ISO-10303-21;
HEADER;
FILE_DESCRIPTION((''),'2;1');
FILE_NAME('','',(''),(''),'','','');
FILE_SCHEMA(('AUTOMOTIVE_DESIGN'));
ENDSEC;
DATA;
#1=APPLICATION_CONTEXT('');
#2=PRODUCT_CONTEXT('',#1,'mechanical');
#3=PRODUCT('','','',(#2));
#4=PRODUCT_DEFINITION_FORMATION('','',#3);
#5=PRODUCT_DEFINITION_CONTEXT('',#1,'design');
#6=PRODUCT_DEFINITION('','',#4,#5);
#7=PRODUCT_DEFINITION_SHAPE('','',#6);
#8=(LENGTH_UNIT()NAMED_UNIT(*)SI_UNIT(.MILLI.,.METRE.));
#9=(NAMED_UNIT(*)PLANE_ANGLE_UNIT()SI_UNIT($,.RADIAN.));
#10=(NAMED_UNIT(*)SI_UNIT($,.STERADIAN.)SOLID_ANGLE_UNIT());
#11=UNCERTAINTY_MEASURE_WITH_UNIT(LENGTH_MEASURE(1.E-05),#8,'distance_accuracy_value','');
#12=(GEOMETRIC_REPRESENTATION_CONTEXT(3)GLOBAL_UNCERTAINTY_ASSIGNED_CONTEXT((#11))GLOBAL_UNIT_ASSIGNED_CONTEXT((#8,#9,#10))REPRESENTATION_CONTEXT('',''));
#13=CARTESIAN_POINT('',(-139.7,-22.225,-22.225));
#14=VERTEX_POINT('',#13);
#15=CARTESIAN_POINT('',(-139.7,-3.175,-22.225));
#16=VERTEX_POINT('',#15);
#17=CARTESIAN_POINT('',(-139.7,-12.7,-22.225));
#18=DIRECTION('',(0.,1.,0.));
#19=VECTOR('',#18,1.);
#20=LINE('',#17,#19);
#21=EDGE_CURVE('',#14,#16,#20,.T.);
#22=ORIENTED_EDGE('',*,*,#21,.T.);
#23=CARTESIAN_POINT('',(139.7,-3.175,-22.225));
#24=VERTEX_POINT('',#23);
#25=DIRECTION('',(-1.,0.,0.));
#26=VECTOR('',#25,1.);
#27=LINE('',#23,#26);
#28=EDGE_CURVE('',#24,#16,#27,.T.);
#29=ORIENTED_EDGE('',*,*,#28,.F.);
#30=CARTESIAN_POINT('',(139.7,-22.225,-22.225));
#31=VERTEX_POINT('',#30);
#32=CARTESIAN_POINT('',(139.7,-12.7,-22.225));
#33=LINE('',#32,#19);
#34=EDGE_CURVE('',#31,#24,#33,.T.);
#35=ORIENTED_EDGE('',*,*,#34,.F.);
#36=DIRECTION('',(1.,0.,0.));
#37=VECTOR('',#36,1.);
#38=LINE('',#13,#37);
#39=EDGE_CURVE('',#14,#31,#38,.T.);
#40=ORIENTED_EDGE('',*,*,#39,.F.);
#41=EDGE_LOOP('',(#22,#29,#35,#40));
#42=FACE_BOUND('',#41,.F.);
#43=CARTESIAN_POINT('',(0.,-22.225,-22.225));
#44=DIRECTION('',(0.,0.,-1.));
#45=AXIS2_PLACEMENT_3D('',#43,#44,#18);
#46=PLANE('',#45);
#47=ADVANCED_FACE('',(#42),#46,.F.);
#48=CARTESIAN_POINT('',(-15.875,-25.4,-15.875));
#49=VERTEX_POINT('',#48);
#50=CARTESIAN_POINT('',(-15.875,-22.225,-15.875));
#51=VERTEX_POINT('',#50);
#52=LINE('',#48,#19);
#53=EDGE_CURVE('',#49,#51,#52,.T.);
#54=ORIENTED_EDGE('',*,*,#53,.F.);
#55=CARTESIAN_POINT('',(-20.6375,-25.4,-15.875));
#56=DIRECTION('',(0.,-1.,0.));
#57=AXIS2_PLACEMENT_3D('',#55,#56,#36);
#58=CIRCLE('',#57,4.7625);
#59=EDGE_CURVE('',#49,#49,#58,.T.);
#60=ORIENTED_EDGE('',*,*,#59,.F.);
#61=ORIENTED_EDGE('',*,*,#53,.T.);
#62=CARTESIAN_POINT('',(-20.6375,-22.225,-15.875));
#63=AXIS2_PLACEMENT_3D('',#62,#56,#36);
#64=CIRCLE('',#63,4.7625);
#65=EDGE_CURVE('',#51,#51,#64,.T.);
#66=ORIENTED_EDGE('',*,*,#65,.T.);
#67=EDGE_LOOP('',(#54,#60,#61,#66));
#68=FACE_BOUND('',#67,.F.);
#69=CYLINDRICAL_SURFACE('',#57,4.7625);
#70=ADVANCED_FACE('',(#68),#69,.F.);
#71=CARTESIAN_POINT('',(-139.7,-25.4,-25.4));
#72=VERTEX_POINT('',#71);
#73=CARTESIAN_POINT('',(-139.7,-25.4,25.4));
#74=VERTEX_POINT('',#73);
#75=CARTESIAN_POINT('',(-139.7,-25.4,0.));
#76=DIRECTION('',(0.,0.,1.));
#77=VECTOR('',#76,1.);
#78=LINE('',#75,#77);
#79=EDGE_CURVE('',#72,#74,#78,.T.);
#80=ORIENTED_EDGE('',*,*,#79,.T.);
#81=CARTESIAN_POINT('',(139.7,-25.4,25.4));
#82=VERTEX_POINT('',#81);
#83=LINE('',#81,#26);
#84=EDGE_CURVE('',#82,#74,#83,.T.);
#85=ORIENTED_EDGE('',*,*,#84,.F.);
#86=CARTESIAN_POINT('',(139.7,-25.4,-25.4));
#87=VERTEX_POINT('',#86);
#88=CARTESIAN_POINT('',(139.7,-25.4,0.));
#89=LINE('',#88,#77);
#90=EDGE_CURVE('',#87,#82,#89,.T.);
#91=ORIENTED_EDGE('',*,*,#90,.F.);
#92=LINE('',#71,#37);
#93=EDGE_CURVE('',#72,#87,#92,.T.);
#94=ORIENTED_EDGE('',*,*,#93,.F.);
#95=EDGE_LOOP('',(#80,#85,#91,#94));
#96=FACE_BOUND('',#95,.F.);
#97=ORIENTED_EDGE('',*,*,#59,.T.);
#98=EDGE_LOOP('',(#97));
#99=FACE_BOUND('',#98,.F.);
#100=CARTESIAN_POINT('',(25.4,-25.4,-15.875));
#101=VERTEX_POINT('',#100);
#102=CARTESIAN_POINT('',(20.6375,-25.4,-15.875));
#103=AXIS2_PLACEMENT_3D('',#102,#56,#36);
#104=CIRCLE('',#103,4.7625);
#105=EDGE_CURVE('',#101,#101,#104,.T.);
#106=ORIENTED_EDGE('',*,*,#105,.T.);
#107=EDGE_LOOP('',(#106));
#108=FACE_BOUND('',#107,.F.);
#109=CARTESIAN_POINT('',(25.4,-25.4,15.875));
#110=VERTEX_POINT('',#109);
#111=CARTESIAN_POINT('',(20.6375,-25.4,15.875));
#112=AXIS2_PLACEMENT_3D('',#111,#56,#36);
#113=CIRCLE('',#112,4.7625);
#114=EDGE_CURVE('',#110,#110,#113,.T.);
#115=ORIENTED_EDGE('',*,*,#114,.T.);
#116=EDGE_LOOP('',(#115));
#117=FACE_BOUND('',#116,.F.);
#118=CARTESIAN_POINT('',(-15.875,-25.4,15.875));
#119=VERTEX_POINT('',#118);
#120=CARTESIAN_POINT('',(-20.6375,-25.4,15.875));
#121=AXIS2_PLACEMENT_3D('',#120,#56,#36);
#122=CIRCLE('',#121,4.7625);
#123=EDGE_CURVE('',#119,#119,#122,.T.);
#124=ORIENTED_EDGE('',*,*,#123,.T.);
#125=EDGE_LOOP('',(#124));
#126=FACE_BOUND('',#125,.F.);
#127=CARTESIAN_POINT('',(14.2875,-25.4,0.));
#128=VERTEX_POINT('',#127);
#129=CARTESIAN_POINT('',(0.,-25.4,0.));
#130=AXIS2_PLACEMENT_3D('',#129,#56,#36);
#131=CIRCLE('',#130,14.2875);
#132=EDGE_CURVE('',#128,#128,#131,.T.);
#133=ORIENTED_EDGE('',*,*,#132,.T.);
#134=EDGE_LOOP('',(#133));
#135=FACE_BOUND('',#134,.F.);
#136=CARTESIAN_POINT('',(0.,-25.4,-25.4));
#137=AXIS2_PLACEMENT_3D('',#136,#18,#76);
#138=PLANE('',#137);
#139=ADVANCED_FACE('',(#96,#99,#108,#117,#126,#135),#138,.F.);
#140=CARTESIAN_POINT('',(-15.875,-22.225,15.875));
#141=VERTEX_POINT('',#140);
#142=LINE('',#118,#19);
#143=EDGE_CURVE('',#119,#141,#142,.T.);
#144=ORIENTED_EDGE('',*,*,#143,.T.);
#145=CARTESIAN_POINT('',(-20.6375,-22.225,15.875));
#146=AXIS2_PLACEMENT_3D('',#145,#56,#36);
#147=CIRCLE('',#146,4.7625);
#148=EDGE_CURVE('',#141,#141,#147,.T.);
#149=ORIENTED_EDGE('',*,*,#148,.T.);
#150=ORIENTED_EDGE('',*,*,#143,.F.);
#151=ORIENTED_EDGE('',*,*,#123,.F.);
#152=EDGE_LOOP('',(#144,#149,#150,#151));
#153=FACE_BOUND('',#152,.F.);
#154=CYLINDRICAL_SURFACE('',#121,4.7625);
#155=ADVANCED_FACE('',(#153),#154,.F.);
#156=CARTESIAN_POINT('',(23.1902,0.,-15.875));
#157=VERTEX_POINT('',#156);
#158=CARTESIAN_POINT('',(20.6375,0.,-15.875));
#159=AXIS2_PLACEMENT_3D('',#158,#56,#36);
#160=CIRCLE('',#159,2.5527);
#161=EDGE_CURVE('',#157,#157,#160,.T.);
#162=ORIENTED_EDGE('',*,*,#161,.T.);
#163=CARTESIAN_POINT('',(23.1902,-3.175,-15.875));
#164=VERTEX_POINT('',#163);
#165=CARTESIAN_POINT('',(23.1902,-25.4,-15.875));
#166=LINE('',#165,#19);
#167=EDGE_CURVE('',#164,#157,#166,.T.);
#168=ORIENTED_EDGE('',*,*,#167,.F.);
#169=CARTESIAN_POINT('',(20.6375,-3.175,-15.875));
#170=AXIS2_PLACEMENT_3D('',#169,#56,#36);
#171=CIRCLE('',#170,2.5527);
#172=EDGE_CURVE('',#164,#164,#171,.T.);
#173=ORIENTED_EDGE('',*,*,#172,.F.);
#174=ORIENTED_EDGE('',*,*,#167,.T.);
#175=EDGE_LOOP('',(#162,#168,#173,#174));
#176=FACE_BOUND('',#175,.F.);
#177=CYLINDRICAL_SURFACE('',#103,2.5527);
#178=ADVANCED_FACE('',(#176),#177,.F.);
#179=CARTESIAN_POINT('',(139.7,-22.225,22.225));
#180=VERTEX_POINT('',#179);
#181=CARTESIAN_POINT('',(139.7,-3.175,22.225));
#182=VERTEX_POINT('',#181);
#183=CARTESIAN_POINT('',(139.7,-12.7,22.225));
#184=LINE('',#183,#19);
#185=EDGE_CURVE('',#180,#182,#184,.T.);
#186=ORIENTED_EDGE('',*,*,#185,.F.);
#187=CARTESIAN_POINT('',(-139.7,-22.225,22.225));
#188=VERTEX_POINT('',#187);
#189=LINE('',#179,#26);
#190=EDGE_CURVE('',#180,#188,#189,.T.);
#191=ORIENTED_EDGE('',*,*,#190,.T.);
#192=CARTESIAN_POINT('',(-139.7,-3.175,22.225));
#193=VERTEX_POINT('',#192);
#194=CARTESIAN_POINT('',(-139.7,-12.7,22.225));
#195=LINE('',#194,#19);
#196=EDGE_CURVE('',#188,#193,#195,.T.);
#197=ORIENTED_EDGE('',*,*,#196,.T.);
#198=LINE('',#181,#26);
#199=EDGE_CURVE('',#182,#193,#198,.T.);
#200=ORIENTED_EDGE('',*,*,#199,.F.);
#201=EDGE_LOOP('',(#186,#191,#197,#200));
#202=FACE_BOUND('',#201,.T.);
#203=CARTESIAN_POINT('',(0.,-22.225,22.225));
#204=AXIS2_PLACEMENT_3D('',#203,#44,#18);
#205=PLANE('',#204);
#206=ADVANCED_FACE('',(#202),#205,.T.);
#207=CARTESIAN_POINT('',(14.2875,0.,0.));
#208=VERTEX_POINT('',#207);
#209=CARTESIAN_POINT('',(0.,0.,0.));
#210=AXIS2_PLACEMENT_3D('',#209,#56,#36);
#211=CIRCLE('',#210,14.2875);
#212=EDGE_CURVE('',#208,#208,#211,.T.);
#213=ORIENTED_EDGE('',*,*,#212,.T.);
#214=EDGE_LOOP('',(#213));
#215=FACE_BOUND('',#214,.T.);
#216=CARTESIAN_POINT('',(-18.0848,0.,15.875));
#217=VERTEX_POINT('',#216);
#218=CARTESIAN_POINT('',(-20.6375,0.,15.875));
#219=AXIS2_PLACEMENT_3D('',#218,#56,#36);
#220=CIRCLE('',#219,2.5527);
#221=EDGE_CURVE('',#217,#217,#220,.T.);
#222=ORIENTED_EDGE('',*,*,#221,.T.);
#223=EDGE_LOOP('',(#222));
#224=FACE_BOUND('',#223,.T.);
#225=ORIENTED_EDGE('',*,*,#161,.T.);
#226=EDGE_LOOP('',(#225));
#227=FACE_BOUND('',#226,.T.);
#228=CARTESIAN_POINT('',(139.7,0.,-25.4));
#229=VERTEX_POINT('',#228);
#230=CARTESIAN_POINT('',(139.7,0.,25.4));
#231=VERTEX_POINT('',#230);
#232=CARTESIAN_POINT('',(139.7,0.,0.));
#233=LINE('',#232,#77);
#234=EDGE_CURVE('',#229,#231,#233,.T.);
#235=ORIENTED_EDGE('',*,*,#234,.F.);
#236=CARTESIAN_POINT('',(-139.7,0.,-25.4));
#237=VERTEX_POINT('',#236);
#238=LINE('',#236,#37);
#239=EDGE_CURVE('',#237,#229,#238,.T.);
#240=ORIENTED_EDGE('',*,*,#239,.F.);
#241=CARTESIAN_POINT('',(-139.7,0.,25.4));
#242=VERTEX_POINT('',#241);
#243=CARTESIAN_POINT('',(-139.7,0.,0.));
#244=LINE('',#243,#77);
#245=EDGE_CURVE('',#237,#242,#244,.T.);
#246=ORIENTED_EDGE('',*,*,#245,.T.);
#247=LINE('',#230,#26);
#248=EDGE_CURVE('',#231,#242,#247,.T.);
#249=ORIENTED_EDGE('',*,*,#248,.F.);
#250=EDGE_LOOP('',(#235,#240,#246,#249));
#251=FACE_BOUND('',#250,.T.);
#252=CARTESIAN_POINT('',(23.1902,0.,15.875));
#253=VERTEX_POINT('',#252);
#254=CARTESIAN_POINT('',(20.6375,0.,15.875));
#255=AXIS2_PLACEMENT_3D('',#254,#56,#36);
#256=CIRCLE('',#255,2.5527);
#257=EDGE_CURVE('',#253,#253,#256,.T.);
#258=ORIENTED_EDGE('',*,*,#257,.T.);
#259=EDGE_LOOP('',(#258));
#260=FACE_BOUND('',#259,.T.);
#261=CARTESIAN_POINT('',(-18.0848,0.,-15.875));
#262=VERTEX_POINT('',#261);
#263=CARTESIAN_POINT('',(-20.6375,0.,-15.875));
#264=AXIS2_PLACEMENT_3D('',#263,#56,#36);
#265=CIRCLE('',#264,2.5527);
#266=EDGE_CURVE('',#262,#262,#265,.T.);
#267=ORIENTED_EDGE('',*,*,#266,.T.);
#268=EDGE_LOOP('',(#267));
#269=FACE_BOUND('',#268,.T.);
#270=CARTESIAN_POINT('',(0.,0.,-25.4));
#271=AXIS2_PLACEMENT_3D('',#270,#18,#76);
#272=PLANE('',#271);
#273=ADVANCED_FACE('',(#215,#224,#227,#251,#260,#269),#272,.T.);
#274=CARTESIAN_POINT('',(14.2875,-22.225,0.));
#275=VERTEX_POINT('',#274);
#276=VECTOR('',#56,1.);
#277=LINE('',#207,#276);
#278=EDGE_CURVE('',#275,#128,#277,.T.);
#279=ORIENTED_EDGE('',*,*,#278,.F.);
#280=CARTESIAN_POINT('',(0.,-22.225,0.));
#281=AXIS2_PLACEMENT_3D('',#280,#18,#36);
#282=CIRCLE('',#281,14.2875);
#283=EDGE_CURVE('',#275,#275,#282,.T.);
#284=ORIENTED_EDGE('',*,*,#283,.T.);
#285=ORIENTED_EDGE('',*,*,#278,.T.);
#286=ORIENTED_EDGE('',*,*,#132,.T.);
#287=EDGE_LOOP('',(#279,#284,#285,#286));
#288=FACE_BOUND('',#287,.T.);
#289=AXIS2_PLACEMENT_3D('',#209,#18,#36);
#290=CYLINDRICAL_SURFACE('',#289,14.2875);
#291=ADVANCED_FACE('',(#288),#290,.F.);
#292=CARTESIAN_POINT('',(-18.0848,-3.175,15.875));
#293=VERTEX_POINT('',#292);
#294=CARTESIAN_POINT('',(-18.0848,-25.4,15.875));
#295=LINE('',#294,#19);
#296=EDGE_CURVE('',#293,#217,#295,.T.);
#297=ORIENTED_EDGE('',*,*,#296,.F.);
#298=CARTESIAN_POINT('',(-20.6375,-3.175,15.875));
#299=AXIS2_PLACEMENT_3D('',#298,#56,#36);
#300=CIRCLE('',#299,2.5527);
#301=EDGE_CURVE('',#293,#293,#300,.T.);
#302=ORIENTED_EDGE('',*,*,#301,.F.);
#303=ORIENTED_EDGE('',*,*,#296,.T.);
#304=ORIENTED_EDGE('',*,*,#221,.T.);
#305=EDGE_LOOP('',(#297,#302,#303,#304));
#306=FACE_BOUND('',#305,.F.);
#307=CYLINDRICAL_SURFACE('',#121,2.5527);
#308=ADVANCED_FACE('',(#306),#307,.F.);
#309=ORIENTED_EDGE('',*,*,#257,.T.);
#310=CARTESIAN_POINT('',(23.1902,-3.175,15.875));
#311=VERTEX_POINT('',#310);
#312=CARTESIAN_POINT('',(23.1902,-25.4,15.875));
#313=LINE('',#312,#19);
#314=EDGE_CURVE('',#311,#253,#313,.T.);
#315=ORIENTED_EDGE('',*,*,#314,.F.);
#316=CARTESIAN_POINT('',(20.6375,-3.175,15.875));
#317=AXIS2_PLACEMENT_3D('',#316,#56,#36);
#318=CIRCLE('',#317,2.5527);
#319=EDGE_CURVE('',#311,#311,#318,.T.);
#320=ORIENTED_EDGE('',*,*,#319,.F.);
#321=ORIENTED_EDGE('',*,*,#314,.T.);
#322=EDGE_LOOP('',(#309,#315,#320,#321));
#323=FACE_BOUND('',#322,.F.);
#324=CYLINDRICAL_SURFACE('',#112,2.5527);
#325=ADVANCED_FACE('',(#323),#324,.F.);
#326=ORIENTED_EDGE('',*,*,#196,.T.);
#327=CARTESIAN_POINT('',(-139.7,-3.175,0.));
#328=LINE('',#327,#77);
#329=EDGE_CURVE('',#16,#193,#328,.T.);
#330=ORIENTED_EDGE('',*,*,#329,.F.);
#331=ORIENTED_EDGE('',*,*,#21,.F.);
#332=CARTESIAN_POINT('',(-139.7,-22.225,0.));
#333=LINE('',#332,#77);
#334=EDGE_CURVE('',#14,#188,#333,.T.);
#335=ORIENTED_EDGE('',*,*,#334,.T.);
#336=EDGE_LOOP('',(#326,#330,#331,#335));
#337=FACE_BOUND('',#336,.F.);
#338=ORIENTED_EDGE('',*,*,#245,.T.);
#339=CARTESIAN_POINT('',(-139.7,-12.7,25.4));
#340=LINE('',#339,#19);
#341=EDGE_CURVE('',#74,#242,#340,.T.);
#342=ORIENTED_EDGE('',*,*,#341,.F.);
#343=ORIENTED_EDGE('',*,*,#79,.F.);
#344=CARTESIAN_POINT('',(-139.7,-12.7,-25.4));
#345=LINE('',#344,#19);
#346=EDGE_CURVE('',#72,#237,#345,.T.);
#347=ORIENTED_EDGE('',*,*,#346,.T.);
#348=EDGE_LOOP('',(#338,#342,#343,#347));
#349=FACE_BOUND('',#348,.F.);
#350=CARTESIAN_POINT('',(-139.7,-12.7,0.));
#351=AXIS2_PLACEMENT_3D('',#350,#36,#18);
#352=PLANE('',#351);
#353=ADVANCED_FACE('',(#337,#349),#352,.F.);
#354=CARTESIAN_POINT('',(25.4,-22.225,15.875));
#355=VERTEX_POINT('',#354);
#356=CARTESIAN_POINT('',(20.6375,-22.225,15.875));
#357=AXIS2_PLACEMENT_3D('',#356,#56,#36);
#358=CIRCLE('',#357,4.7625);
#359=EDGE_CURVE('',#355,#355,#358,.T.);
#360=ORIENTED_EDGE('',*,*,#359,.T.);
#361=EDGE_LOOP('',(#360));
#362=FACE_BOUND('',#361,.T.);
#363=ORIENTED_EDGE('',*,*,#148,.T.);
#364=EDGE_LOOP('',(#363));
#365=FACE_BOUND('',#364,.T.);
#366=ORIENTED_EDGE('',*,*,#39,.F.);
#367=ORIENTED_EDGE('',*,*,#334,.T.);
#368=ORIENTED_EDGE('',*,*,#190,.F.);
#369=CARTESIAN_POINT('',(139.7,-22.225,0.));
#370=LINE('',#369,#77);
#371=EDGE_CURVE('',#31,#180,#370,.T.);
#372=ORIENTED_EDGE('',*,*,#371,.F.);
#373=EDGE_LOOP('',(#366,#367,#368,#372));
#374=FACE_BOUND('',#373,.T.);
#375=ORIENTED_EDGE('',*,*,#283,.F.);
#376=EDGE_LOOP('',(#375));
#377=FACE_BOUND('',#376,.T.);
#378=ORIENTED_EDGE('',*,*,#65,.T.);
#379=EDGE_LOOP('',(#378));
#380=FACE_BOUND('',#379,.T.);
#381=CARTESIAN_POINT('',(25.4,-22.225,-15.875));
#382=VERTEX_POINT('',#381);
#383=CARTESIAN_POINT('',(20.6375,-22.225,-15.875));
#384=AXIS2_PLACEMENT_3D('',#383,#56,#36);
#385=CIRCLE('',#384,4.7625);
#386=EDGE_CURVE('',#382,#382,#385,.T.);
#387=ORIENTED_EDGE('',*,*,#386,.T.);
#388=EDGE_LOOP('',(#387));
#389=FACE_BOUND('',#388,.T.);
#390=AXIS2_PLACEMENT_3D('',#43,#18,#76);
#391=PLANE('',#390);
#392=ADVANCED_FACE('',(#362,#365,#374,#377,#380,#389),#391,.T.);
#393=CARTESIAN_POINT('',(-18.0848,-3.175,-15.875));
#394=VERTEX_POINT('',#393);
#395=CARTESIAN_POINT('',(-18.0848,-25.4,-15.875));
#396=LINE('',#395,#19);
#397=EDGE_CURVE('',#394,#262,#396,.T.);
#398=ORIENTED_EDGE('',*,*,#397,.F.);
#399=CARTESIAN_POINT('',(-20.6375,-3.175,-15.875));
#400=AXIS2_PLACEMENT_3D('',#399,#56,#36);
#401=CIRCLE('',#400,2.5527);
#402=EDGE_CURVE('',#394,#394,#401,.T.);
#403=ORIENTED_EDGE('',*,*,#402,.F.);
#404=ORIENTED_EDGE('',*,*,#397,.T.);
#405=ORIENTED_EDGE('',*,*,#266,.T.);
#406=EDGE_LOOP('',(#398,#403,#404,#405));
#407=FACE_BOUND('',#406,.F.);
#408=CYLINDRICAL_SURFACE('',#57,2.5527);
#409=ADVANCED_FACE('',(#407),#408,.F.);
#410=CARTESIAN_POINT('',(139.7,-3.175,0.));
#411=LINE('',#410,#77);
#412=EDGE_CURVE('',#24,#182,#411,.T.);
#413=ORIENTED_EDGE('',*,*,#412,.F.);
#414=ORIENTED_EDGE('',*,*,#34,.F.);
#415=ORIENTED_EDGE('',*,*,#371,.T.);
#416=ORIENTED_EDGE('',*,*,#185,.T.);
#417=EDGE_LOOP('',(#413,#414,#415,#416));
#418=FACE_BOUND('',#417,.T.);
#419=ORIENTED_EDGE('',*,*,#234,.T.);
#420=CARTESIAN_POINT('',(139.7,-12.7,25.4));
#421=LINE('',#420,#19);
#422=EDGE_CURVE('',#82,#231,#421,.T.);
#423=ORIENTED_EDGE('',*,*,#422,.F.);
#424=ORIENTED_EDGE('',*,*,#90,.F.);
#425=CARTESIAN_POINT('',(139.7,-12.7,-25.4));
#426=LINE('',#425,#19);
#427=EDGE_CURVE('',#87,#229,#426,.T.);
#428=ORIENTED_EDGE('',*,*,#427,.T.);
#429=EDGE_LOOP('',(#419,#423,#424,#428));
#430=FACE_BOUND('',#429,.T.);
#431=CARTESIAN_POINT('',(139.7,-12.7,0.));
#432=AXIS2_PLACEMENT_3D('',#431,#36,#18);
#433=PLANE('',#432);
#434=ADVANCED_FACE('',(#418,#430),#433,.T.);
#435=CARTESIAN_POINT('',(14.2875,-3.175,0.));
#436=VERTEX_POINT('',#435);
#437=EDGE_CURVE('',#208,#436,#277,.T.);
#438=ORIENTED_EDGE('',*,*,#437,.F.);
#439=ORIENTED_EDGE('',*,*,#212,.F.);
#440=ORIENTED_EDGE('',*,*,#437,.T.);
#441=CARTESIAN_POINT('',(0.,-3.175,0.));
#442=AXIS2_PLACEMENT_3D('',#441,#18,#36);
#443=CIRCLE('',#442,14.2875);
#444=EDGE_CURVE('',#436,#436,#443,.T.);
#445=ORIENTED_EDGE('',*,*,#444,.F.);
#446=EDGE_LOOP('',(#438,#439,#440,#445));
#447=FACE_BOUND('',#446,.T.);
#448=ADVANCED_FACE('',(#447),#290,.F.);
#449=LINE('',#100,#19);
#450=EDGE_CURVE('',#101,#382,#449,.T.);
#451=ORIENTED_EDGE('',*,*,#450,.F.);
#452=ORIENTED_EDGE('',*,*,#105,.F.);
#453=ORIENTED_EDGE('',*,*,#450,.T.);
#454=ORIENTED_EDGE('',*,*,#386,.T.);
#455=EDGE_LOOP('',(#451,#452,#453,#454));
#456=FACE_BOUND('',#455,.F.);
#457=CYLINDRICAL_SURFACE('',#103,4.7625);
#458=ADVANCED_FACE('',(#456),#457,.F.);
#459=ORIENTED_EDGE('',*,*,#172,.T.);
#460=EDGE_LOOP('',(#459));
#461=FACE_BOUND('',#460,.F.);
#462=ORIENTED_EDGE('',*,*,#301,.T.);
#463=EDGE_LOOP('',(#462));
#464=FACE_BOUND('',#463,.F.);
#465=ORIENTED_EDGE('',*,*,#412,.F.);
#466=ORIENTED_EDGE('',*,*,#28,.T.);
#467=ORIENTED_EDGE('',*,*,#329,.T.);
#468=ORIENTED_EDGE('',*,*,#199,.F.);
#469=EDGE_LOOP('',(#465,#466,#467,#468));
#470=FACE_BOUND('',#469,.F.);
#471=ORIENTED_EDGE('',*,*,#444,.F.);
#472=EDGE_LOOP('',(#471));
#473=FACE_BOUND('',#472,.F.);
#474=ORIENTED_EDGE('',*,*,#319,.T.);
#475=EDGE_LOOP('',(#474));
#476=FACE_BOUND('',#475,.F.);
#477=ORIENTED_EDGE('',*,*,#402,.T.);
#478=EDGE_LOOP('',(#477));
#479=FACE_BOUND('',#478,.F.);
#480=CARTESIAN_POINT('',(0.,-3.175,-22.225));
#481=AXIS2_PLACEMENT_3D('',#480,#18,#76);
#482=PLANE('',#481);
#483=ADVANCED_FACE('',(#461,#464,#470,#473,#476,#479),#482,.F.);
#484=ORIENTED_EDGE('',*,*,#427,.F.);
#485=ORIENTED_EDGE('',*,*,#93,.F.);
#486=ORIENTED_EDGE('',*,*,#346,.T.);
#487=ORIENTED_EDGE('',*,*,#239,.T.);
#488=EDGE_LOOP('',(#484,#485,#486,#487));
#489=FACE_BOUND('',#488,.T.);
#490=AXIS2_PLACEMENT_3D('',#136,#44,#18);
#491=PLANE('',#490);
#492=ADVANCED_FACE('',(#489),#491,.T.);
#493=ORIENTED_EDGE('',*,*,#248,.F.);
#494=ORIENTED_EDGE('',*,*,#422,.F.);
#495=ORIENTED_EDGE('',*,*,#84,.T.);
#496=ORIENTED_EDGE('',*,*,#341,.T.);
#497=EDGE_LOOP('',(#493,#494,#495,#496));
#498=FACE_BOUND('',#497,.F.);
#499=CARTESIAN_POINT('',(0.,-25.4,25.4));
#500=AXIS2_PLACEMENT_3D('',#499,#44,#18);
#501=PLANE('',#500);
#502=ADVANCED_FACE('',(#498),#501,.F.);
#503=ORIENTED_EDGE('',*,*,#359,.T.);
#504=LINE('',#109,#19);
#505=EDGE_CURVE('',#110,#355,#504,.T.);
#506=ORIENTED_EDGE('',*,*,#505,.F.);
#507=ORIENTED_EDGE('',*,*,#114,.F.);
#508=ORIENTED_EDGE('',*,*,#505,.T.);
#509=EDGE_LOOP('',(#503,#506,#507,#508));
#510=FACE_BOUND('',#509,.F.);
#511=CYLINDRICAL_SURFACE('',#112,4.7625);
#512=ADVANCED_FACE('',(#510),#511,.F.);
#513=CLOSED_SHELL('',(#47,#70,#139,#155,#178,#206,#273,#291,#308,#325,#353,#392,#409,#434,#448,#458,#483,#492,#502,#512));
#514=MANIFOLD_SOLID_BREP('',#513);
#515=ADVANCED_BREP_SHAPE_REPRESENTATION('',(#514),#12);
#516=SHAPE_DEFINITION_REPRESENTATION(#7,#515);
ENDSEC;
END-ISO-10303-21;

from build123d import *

# Parameters (mm, degrees)
F0_W          = 25.4
F0_H          = 50.8
F0_W_2        = 19.05
F0_H_2        = 44.45
F1_DEPTH      = 139.7
F1_DEPTH_BACK = 139.7
F2_R          = 14.2875
F3_DEPTH      = 25.4
F4_R          = 2.5527
F5_DEPTH      = 25.4
F6_R          = 4.7625
F7_DEPTH      = 3.175


with BuildPart() as f1:
    # F0 (on Right) → F1 (new body, two sides)
    with BuildSketch(Plane.YZ) as f1_sk:
        with Locations((-12.7, 0)):
            Rectangle(F0_W, F0_H)
        with Locations((-12.7, 0)):
            Rectangle(F0_W_2, F0_H_2, mode=Mode.SUBTRACT)
    extrude(amount=F1_DEPTH)
    extrude(f1_sk.sketch, amount=-F1_DEPTH_BACK)

    # F2 (on Front) → F3 (cut)
    with BuildSketch(Plane.XZ):
        Circle(F2_R)
    extrude(amount=F3_DEPTH, mode=Mode.SUBTRACT)

    # F4 (on face) → F5 (cut)
    with BuildSketch(Plane.XZ.offset(25.4)):
        with Locations((20.6375, -15.875)):
            Circle(F4_R)
        with Locations((20.6375, 15.875)):
            Circle(F4_R)
        with Locations((-20.6375, 15.875)):
            Circle(F4_R)
        with Locations((-20.6375, -15.875)):
            Circle(F4_R)
    extrude(amount=-F5_DEPTH, mode=Mode.SUBTRACT)

    # F6 (on face) → F7 (cut)
    with BuildSketch(Plane.XZ.offset(25.4)):
        with Locations((20.6375, 15.875)):
            Circle(F6_R)
        with Locations((20.6375, -15.875)):
            Circle(F6_R)
        with Locations((-20.6375, -15.875)):
            Circle(F6_R)
        with Locations((-20.6375, 15.875)):
            Circle(F6_R)
    extrude(amount=-F7_DEPTH, mode=Mode.SUBTRACT)


solid = f1.part
